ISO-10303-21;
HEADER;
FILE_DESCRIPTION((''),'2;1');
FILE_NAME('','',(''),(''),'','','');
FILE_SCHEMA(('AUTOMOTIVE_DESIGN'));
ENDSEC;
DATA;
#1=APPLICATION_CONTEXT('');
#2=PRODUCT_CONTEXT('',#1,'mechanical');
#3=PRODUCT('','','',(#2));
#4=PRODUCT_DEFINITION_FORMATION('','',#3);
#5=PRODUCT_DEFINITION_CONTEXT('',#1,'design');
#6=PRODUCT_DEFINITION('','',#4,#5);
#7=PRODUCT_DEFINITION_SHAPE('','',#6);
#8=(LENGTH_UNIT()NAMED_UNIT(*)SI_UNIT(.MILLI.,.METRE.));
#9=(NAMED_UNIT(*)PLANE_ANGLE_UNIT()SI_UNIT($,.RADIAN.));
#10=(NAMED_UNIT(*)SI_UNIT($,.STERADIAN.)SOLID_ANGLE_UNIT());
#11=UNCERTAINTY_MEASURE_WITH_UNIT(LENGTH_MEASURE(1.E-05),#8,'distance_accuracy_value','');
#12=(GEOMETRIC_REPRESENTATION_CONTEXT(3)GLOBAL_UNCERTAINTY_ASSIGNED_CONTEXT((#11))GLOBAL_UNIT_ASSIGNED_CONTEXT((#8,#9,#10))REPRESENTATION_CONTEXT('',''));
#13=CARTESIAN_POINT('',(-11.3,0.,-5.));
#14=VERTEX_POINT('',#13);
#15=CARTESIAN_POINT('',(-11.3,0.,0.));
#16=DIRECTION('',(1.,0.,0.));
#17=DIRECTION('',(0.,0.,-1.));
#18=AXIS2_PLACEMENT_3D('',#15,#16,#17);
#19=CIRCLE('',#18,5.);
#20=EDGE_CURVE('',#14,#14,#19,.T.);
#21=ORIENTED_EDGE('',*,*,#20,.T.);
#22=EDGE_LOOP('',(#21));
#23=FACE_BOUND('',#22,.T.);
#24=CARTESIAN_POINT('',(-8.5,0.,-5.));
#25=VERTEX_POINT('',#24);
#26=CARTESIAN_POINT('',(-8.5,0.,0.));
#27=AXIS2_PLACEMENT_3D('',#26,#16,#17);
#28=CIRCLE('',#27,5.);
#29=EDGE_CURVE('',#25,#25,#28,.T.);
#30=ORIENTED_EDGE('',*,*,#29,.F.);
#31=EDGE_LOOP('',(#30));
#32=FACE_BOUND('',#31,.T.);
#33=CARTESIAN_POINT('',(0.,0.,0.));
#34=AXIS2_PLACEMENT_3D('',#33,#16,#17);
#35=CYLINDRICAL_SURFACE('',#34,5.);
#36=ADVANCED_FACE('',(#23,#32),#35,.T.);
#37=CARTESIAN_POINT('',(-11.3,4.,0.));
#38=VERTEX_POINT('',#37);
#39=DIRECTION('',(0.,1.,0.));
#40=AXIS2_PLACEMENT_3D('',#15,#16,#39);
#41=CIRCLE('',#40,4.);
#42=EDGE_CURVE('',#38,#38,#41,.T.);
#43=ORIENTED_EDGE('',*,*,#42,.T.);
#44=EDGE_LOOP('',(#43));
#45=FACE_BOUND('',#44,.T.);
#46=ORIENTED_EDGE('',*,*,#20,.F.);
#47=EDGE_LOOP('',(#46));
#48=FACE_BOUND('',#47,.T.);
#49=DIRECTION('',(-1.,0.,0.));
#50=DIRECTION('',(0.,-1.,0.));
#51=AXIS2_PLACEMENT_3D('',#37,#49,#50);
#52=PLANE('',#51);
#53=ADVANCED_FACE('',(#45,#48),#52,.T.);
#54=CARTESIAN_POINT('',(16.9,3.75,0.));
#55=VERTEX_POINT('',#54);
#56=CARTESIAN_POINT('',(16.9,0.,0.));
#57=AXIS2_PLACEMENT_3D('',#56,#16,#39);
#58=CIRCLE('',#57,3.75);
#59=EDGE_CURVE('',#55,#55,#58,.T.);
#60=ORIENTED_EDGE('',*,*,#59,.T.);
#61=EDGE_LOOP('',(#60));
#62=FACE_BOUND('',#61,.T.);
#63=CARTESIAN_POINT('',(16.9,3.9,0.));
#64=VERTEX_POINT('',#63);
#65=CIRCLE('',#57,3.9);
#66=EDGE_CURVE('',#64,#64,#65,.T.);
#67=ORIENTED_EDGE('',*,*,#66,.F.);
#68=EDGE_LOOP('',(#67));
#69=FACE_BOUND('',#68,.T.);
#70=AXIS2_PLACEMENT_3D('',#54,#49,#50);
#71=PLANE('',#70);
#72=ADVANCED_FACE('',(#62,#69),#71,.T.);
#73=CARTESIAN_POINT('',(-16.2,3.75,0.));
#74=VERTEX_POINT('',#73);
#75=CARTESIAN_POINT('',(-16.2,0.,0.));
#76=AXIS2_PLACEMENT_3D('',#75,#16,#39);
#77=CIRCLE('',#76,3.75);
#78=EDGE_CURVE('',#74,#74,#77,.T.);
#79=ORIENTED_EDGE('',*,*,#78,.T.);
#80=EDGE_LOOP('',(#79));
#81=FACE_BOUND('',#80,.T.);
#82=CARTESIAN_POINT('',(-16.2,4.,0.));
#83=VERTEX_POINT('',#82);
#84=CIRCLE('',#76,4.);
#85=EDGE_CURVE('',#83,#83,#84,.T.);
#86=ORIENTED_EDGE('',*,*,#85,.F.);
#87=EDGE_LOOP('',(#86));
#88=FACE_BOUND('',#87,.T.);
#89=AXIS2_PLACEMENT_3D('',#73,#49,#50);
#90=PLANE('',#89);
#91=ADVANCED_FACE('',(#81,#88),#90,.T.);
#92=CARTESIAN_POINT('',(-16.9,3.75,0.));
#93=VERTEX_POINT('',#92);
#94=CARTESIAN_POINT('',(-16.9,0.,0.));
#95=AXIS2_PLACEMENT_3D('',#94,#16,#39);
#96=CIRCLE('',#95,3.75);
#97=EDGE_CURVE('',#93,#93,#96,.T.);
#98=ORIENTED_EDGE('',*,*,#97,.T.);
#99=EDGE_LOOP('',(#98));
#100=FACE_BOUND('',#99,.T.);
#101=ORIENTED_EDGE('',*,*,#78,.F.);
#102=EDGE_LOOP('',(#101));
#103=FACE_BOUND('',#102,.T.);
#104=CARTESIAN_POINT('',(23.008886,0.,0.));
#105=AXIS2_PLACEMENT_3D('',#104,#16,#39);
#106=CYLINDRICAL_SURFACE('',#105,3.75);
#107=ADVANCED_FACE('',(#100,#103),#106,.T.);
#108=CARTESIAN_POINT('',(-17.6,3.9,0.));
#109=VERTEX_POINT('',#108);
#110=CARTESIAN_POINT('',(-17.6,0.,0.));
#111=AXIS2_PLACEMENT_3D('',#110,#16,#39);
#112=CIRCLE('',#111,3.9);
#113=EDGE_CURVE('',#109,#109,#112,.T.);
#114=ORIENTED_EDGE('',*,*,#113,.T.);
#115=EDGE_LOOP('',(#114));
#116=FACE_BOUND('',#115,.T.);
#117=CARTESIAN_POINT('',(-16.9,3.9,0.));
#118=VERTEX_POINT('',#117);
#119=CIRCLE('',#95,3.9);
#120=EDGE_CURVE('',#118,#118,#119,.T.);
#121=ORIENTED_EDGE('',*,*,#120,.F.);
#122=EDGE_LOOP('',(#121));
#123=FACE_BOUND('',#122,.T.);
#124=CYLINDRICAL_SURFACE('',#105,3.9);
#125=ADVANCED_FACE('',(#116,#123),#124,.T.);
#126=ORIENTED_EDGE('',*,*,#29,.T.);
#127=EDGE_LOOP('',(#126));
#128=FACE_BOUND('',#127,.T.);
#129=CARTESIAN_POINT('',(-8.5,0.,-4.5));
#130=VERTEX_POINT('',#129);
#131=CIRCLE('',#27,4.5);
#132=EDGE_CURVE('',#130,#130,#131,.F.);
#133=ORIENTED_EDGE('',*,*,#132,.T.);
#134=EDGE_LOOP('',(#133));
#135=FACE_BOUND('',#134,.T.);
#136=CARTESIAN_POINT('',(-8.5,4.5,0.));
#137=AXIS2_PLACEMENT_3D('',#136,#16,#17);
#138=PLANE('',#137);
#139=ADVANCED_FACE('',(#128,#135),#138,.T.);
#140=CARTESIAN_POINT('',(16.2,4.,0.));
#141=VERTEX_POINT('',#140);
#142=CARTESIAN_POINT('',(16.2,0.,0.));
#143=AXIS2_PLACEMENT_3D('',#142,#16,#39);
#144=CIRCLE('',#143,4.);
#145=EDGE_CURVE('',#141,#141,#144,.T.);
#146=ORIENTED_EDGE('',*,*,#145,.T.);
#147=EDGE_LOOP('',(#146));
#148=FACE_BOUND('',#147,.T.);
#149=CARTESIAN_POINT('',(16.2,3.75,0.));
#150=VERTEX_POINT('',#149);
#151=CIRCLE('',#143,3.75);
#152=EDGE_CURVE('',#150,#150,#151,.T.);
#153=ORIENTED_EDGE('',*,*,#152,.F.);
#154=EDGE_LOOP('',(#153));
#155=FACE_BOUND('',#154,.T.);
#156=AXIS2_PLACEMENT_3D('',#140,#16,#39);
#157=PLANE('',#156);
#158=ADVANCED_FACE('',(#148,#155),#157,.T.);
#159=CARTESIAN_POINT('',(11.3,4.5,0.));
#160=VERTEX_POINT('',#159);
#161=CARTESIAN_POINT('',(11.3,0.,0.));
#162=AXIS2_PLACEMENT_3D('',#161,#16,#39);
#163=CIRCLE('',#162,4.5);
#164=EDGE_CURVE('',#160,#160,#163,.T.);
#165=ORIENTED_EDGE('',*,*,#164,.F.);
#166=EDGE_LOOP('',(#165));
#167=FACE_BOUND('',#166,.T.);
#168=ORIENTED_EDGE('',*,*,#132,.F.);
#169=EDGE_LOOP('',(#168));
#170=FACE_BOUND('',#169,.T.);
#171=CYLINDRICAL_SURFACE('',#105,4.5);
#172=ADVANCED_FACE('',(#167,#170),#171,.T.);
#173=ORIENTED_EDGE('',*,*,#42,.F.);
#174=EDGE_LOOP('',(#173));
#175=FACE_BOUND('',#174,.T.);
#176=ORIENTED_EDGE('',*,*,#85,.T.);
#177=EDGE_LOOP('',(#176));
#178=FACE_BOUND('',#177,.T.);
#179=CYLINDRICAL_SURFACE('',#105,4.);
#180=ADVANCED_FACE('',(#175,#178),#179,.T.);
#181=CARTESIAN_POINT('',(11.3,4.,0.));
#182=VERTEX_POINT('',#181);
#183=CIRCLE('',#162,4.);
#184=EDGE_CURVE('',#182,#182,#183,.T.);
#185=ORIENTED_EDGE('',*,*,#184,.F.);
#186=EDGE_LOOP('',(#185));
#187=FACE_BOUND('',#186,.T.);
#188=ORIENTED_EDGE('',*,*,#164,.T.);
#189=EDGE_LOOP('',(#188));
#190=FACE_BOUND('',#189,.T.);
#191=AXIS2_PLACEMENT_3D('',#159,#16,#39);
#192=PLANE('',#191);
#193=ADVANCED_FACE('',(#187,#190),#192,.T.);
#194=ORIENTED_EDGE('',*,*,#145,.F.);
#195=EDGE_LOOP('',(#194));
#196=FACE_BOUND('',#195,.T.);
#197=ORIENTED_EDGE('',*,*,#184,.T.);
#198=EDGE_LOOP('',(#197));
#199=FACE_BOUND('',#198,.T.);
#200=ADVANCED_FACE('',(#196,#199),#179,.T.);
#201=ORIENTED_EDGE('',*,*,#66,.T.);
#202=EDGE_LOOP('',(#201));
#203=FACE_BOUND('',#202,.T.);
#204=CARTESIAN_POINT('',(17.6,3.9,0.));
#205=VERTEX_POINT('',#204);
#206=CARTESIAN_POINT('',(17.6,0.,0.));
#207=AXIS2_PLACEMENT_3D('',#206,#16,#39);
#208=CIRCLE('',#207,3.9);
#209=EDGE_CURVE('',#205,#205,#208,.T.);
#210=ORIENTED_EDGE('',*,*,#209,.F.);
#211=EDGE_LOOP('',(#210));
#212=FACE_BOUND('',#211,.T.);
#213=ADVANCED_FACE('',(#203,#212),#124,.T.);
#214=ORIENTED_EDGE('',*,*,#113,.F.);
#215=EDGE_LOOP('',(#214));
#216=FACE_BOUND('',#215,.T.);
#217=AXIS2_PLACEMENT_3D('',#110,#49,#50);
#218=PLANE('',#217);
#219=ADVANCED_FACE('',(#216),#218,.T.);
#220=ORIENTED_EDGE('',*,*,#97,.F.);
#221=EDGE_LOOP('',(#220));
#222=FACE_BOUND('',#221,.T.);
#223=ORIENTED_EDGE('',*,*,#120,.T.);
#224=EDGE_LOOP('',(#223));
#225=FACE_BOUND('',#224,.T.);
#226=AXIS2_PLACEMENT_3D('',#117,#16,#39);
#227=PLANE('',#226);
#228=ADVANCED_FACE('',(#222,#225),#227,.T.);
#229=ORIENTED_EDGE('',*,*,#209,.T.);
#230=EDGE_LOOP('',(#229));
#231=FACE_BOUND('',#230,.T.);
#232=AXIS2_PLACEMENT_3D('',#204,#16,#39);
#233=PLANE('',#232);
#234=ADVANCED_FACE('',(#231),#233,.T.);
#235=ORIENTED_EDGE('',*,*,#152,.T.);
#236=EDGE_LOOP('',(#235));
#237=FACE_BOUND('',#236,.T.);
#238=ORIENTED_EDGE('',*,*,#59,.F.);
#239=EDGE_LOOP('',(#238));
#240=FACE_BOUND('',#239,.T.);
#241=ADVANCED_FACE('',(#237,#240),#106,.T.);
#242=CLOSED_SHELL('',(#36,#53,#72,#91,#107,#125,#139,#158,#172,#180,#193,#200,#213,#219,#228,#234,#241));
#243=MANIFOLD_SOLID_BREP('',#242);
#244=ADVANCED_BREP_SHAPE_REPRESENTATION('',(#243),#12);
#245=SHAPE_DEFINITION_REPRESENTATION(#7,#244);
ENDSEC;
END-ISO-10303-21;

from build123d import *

# Parameters (mm, degrees)
SKETCH4_W = 2.8
SKETCH4_H = 0.5


with BuildPart() as part:
    # Sketch2 → Revolve1 (revolve)
    with BuildSketch(Plane.XY):
        Polygon((17.6, 0), (-17.6, 0), (-17.6, 3.9), (-16.9, 3.9), (-16.9, 3.75), (-16.2, 3.75), (-16.2, 4), (-11.3, 4), (-11.3, 4.5), (11.3, 4.5), (11.3, 4), (16.2, 4), (16.2, 3.75), (16.9, 3.75), (16.9, 3.9), (17.6, 3.9), align=None)
    revolve(axis=Axis((23.008886434, 0, 0), (-1, 0, 0)))

    # Sketch4 → Revolve2 (revolve)
    with BuildSketch(Plane.XY):
        with Locations((-9.9, 4.75)):
            Rectangle(SKETCH4_W, SKETCH4_H)
    revolve(axis=Axis((0, 0, 0), (-1, 0, 0)))


solid = part.part
